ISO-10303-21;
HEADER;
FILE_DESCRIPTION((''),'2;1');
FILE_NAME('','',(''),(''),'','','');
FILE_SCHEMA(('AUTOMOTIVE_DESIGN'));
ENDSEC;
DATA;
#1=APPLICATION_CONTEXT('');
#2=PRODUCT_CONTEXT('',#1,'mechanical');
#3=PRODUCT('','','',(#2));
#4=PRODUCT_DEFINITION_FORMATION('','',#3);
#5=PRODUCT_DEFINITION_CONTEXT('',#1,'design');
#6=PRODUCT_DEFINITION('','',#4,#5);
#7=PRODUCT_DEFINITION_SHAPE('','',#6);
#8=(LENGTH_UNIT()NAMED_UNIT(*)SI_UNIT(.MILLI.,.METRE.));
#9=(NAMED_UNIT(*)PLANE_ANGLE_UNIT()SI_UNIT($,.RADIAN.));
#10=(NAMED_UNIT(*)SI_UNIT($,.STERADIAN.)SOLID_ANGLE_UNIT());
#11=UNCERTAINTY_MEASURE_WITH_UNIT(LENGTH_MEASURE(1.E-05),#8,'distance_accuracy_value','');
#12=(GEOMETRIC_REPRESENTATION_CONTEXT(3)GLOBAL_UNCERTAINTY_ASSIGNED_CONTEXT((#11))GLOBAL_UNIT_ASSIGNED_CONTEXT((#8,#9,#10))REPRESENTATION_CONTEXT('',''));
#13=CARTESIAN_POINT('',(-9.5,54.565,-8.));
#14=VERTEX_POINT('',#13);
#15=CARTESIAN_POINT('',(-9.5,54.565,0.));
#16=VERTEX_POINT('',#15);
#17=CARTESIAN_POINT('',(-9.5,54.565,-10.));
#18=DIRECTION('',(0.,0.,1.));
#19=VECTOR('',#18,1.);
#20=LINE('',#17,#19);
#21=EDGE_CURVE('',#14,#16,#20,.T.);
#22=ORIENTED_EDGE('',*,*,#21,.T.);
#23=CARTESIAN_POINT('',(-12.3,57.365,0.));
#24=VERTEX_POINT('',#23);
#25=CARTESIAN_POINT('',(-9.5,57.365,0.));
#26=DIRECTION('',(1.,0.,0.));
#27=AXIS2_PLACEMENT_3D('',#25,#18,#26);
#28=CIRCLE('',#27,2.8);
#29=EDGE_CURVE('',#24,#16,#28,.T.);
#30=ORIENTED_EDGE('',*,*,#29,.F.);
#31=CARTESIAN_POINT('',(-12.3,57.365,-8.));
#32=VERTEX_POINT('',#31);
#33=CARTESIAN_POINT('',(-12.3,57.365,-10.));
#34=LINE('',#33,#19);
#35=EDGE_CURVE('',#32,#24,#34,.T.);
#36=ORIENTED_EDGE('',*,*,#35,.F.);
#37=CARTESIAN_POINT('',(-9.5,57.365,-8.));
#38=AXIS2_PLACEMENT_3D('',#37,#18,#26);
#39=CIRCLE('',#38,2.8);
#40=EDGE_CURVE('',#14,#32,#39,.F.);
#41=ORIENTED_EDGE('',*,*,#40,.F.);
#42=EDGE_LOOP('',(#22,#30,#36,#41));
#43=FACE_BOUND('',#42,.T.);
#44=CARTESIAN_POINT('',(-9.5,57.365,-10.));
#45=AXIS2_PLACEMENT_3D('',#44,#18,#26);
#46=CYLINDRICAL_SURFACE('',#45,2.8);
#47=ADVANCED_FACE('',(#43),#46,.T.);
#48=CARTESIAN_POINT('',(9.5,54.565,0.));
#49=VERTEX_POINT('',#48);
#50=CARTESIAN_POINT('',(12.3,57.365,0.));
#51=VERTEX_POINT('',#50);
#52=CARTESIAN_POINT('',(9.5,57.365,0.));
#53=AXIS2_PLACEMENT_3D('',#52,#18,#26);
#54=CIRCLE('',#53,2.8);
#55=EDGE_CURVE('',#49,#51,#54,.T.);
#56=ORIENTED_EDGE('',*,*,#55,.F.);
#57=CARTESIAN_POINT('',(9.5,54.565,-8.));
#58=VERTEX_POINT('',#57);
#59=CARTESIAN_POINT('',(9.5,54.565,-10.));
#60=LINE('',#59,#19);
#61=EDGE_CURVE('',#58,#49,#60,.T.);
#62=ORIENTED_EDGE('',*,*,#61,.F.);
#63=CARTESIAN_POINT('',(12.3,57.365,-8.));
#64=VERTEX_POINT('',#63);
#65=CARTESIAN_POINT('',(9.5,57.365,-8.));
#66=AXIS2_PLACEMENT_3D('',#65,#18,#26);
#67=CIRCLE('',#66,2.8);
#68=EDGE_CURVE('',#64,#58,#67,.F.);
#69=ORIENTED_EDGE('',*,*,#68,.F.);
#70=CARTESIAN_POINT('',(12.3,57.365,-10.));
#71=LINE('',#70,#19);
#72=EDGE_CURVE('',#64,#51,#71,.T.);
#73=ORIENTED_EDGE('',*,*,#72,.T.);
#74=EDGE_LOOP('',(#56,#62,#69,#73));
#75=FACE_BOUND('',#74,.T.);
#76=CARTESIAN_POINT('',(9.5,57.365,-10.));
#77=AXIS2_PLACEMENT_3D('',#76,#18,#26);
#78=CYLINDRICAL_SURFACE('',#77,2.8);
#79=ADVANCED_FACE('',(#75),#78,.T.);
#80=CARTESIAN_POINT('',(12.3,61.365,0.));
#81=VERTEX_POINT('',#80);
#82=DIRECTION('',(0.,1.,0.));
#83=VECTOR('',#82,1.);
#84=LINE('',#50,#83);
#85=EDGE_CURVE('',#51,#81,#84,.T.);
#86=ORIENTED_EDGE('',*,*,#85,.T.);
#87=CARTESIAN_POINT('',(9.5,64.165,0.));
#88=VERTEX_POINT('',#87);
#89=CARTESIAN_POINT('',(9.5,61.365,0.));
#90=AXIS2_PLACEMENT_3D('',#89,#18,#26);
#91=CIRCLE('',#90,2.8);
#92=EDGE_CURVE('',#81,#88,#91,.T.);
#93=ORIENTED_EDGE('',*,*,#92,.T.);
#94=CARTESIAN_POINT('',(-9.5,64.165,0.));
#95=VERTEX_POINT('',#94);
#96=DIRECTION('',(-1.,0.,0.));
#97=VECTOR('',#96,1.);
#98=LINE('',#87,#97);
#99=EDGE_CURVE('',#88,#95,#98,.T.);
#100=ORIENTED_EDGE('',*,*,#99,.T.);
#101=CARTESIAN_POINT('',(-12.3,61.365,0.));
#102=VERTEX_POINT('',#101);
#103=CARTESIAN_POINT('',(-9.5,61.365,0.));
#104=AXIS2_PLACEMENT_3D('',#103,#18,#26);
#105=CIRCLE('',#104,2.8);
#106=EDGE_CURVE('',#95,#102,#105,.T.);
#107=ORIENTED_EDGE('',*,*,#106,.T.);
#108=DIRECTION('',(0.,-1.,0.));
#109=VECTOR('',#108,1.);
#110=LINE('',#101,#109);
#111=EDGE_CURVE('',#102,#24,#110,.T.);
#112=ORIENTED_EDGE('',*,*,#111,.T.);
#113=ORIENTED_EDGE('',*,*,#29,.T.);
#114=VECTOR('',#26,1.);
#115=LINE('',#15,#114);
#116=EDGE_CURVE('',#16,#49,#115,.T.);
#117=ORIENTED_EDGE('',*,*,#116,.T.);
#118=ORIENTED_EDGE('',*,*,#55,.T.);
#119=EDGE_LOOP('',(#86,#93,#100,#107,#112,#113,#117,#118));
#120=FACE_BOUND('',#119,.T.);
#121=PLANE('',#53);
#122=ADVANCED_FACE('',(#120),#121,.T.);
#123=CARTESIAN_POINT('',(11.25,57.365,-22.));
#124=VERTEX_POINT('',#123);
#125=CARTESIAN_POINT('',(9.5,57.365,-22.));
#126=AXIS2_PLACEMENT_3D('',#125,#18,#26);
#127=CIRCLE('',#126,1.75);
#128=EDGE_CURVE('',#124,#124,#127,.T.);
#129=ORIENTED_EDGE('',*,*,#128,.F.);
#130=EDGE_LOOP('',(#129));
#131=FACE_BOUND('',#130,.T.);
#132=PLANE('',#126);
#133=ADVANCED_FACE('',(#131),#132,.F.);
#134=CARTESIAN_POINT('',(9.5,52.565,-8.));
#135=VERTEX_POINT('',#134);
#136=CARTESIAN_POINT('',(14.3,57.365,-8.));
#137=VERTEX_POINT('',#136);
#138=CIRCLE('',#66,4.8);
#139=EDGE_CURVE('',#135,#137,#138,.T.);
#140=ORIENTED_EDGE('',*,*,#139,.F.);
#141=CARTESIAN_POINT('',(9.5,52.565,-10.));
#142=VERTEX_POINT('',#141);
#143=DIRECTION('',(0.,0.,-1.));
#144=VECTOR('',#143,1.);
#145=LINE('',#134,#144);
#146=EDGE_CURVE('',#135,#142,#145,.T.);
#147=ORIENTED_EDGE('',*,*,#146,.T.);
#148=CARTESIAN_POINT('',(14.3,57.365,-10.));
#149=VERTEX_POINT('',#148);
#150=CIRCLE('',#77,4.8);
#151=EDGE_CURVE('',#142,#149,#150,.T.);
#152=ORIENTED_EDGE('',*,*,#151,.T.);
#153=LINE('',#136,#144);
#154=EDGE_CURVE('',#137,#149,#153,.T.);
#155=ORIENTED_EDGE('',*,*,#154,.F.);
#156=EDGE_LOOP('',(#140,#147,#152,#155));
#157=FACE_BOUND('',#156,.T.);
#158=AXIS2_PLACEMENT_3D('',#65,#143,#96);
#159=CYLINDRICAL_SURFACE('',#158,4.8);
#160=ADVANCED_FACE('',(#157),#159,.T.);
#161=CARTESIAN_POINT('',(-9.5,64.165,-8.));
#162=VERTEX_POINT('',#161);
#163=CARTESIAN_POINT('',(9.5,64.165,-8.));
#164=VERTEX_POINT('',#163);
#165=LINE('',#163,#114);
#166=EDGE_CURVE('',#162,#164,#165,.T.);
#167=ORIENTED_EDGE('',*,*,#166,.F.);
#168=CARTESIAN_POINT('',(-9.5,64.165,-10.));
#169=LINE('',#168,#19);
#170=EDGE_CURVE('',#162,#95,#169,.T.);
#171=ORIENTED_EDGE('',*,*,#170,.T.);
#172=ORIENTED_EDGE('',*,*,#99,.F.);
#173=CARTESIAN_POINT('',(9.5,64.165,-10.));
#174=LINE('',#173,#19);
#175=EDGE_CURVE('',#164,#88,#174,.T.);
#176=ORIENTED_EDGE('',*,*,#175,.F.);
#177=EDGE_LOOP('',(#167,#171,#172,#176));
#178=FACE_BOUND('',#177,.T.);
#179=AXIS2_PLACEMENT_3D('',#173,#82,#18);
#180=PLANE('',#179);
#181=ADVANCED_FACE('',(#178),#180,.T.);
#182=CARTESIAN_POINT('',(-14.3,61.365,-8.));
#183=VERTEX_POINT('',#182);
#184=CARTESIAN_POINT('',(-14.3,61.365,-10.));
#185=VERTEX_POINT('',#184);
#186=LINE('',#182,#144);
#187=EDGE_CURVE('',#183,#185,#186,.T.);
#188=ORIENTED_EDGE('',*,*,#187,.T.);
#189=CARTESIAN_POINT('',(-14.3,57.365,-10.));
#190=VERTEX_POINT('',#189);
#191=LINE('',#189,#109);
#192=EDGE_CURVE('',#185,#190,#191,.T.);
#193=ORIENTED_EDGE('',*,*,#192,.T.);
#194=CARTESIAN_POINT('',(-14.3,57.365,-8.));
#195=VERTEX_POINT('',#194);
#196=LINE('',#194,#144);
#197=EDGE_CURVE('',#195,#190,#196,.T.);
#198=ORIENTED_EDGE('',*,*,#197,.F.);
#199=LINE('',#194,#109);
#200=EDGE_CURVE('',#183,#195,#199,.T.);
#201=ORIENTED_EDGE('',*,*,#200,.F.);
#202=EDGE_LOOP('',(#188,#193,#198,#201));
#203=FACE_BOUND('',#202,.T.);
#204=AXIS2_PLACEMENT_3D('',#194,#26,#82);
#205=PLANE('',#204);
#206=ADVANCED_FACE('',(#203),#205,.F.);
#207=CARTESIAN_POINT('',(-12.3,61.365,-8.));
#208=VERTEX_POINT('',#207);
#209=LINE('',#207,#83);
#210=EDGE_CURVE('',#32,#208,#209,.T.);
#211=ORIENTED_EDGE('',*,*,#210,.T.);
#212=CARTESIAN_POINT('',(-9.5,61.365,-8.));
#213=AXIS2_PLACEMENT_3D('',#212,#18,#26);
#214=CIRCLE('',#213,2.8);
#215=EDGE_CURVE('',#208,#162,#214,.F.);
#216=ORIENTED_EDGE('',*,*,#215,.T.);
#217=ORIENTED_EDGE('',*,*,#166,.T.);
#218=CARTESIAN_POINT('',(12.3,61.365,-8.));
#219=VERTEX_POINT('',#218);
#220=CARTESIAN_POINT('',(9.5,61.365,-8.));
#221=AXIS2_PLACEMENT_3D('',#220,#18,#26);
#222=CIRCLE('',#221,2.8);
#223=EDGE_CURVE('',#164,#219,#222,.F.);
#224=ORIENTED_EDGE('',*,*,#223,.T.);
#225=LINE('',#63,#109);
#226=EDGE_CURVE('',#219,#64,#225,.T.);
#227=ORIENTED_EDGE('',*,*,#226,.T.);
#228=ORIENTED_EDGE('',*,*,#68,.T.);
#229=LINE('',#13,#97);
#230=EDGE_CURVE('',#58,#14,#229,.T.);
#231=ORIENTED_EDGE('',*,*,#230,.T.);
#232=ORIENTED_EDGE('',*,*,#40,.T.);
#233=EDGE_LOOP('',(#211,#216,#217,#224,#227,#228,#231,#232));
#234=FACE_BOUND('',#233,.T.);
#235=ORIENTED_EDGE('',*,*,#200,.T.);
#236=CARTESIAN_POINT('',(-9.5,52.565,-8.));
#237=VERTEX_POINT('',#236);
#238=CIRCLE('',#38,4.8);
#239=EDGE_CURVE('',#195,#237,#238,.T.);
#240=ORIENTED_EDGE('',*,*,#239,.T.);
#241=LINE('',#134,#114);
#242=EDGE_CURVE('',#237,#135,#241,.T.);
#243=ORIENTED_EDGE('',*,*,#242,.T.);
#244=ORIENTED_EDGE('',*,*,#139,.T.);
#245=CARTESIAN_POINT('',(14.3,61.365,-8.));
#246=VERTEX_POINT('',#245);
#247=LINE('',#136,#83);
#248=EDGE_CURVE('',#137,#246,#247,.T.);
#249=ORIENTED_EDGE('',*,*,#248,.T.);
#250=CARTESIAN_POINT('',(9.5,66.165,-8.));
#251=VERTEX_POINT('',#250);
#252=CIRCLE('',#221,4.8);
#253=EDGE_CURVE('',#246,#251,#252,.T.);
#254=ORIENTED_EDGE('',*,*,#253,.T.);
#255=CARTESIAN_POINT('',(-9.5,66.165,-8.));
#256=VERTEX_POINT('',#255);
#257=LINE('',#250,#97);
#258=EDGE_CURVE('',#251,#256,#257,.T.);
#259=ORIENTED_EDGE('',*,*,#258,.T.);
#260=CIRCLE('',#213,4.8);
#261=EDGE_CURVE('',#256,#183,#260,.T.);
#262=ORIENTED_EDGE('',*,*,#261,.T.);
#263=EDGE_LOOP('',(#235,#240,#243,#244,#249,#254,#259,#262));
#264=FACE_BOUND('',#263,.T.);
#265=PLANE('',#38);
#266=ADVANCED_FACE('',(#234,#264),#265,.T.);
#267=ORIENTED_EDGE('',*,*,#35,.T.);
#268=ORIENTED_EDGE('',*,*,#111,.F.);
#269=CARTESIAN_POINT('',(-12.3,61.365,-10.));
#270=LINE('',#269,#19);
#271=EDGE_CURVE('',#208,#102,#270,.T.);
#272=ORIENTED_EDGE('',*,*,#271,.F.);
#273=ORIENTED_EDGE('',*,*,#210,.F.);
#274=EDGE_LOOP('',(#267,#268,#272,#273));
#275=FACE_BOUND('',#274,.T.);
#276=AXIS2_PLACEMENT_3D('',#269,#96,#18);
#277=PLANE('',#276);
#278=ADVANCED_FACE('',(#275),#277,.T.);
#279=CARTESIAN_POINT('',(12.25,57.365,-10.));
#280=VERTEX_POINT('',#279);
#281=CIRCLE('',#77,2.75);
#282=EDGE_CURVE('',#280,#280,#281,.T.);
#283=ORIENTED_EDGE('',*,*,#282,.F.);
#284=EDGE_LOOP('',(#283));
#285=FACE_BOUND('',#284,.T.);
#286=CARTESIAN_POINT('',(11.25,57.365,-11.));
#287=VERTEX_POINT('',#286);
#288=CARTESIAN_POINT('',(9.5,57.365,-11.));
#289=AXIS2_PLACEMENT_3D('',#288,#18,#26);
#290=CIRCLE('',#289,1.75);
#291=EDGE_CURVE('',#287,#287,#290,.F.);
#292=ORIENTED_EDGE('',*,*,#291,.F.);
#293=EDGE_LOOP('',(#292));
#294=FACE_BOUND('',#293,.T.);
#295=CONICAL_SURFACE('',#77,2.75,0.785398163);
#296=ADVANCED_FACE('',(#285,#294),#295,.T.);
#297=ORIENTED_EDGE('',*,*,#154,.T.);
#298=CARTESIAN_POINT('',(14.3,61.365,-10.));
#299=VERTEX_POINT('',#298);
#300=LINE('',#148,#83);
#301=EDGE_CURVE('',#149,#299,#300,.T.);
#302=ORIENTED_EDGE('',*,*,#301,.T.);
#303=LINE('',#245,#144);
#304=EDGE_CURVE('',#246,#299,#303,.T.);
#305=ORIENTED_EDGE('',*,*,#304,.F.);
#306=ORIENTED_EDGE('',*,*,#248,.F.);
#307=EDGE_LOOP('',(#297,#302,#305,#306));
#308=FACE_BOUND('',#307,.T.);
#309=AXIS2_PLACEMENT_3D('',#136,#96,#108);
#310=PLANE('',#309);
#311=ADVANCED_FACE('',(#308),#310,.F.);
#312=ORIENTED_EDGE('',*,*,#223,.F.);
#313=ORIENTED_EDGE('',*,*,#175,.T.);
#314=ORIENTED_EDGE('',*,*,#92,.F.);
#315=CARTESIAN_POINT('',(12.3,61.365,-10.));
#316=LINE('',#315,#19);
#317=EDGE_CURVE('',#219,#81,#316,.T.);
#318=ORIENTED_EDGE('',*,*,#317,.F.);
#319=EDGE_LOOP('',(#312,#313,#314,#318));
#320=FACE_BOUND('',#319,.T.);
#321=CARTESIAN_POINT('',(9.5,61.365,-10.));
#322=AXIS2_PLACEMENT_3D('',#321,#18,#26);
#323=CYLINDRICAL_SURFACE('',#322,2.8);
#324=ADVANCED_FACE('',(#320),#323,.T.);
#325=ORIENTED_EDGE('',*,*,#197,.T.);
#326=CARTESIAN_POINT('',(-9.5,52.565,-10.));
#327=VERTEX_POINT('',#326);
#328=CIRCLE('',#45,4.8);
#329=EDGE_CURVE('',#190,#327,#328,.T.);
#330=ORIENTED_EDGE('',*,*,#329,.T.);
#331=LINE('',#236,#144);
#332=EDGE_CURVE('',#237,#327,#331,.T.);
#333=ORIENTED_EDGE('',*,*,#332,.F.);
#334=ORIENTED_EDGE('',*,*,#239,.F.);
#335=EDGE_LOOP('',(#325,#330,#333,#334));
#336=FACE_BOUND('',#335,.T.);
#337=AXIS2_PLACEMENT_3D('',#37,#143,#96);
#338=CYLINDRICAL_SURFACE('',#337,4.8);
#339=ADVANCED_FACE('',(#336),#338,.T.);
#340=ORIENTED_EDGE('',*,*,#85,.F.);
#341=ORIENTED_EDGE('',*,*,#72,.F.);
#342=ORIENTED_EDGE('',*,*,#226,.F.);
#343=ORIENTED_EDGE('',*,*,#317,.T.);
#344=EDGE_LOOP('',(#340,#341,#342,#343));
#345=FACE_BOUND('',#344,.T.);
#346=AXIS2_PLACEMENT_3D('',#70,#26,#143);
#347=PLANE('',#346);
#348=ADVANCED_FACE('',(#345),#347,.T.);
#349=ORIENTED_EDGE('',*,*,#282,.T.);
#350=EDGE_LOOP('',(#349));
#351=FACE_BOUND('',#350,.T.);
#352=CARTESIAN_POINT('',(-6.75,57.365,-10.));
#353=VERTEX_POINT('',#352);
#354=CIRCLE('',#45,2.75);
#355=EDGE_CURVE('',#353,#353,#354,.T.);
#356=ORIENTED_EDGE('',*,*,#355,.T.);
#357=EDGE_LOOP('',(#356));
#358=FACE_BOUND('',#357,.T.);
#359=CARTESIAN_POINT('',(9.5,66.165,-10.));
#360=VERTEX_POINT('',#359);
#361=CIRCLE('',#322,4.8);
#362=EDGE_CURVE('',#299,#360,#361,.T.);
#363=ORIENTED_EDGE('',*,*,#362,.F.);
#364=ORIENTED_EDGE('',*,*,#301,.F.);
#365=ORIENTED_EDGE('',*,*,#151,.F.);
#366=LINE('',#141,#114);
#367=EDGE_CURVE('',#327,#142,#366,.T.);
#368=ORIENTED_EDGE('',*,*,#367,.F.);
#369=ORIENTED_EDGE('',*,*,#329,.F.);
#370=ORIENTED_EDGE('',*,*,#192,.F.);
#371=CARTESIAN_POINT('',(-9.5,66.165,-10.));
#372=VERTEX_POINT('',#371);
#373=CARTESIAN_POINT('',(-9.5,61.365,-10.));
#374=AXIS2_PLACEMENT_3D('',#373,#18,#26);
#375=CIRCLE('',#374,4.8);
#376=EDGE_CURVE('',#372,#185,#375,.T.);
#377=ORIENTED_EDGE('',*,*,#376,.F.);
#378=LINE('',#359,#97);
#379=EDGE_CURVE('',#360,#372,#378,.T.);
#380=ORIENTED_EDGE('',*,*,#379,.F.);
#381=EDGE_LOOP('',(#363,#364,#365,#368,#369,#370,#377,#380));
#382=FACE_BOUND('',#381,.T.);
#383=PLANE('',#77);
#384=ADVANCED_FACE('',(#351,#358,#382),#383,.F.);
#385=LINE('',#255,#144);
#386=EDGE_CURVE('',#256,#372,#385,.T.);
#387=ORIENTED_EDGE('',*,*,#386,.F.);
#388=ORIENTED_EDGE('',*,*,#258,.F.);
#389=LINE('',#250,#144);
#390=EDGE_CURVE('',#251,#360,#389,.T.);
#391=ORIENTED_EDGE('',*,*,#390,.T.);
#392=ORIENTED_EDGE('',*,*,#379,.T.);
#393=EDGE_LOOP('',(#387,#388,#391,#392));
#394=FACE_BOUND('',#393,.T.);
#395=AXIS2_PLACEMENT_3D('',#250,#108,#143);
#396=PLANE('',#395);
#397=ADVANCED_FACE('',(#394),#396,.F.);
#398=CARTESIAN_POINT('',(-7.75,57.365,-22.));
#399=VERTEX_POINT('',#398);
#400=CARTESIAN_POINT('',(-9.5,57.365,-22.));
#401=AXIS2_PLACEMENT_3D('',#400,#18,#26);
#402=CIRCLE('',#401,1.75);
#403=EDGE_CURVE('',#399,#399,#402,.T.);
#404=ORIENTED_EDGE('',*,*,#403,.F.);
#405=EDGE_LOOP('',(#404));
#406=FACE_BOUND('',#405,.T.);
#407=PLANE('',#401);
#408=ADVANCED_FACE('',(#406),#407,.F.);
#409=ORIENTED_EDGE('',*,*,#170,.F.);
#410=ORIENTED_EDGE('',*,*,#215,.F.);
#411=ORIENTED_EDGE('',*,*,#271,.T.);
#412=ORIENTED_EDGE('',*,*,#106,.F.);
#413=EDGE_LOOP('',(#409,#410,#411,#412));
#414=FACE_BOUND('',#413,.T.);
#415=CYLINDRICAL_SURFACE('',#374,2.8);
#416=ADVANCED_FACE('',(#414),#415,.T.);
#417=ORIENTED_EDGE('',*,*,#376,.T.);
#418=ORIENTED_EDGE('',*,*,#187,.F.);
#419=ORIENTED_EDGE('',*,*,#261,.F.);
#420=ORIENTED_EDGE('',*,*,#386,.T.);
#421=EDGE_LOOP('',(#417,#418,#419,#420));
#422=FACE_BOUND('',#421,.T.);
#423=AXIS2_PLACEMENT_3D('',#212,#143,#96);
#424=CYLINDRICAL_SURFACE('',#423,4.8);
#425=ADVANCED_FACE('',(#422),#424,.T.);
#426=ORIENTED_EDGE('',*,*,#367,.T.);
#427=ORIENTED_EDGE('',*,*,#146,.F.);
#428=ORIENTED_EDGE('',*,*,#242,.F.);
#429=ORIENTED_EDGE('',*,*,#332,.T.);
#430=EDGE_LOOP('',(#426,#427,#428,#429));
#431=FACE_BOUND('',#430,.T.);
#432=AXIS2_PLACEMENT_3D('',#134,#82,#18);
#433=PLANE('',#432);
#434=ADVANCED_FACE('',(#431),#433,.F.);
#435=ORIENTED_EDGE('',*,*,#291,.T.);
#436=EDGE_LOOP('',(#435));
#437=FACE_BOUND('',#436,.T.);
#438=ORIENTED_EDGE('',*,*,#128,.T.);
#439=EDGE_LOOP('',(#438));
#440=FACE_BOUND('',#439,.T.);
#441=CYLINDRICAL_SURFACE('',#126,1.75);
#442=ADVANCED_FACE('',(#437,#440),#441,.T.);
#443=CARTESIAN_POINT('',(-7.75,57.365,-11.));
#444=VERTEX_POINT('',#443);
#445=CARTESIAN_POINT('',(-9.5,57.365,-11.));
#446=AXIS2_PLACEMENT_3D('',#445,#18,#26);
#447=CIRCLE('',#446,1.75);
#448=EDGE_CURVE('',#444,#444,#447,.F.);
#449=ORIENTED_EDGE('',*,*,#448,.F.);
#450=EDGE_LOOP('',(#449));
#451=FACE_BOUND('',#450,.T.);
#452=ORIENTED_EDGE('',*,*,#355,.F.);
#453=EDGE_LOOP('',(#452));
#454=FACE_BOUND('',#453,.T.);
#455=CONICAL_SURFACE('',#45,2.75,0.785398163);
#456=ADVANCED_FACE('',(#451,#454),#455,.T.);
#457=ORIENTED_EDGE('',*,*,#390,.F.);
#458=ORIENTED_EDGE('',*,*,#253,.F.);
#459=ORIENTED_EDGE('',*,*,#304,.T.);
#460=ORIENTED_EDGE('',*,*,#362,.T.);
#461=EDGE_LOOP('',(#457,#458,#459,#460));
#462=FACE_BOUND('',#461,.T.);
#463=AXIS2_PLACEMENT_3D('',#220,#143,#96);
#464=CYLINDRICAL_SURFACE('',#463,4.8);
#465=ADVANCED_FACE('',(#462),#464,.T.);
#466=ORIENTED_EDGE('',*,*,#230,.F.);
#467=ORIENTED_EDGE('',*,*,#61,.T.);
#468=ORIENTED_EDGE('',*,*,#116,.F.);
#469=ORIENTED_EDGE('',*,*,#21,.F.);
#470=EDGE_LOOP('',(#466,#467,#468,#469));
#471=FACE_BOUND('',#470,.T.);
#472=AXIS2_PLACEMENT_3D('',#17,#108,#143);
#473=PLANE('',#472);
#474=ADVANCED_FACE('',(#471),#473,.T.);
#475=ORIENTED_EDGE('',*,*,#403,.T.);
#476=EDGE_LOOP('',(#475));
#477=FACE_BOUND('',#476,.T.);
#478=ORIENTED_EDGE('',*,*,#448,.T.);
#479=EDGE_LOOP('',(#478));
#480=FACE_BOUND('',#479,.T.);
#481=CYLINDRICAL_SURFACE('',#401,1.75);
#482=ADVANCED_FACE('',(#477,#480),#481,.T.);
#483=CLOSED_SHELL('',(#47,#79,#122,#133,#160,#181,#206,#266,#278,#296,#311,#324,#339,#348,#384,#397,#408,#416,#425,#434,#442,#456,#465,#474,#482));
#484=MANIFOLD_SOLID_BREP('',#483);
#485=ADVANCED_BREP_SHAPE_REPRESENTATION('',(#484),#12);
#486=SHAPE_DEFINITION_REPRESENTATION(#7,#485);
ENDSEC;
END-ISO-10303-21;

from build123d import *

# Parameters (mm, degrees)
BOSS_EXTRUDE1_DEPTH = 10
BOSS_EXTRUDE2_START = -10
BOSS_EXTRUDE2_DEPTH = 2
BOSS_EXTRUDE3_START = -22
SKETCH3_R           = 1.75
BOSS_EXTRUDE3_DEPTH = 12
CHAMFER1_SIZE       = 1


with BuildPart() as part:
    # Sketch1 → Boss-Extrude1 (new body)
    with BuildSketch(Plane.XY):
        with BuildLine():
            Line((12.3, 57.365), (12.3, 61.365))
            ThreePointArc((12.3, 61.365), (11.479898987, 63.344898987), (9.5, 64.165))
            Line((9.5, 64.165), (-9.5, 64.165))
            ThreePointArc((-9.5, 64.165), (-11.479898987, 63.344898987), (-12.3, 61.365))
            Line((-12.3, 61.365), (-12.3, 57.365))
            ThreePointArc((-12.3, 57.365), (-11.479898987, 55.385101013), (-9.5, 54.565))
            Line((-9.5, 54.565), (9.5, 54.565))
            ThreePointArc((9.5, 54.565), (11.479898987, 55.385101013), (12.3, 57.365))
        make_face()
    extrude(amount=-BOSS_EXTRUDE1_DEPTH)

    # Sketch2 → Boss-Extrude2 (add)
    with BuildSketch(Plane.XY.offset(BOSS_EXTRUDE2_START)):
        with BuildLine():
            Line((14.3, 57.365), (14.3, 61.365))
            ThreePointArc((14.3, 61.365), (12.89411255, 64.75911255), (9.5, 66.165))
            Line((9.5, 66.165), (-9.5, 66.165))
            ThreePointArc((-9.5, 66.165), (-12.89411255, 64.75911255), (-14.3, 61.365))
            Line((-14.3, 61.365), (-14.3, 57.365))
            ThreePointArc((-14.3, 57.365), (-12.89411255, 53.97088745), (-9.5, 52.565))
            Line((-9.5, 52.565), (9.5, 52.565))
            ThreePointArc((9.5, 52.565), (12.89411255, 53.97088745), (14.3, 57.365))
        make_face()
    extrude(amount=BOSS_EXTRUDE2_DEPTH)

    # Sketch3 → Boss-Extrude3 (add)
    with BuildSketch(Plane.XY.offset(BOSS_EXTRUDE3_START)):
        with Locations((9.5, 57.365)):
            Circle(SKETCH3_R)
        with Locations((-9.5, 57.365)):
            Circle(SKETCH3_R)
    extrude(amount=BOSS_EXTRUDE3_DEPTH)

    # Chamfer1
    chamfer1_edges = [part.edges().sort_by_distance(p)[0] for p in [
        (7.75, 57.365, -10),
        (-11.25, 57.365, -10),
    ]]
    chamfer(chamfer1_edges, length=CHAMFER1_SIZE)


solid = part.part
